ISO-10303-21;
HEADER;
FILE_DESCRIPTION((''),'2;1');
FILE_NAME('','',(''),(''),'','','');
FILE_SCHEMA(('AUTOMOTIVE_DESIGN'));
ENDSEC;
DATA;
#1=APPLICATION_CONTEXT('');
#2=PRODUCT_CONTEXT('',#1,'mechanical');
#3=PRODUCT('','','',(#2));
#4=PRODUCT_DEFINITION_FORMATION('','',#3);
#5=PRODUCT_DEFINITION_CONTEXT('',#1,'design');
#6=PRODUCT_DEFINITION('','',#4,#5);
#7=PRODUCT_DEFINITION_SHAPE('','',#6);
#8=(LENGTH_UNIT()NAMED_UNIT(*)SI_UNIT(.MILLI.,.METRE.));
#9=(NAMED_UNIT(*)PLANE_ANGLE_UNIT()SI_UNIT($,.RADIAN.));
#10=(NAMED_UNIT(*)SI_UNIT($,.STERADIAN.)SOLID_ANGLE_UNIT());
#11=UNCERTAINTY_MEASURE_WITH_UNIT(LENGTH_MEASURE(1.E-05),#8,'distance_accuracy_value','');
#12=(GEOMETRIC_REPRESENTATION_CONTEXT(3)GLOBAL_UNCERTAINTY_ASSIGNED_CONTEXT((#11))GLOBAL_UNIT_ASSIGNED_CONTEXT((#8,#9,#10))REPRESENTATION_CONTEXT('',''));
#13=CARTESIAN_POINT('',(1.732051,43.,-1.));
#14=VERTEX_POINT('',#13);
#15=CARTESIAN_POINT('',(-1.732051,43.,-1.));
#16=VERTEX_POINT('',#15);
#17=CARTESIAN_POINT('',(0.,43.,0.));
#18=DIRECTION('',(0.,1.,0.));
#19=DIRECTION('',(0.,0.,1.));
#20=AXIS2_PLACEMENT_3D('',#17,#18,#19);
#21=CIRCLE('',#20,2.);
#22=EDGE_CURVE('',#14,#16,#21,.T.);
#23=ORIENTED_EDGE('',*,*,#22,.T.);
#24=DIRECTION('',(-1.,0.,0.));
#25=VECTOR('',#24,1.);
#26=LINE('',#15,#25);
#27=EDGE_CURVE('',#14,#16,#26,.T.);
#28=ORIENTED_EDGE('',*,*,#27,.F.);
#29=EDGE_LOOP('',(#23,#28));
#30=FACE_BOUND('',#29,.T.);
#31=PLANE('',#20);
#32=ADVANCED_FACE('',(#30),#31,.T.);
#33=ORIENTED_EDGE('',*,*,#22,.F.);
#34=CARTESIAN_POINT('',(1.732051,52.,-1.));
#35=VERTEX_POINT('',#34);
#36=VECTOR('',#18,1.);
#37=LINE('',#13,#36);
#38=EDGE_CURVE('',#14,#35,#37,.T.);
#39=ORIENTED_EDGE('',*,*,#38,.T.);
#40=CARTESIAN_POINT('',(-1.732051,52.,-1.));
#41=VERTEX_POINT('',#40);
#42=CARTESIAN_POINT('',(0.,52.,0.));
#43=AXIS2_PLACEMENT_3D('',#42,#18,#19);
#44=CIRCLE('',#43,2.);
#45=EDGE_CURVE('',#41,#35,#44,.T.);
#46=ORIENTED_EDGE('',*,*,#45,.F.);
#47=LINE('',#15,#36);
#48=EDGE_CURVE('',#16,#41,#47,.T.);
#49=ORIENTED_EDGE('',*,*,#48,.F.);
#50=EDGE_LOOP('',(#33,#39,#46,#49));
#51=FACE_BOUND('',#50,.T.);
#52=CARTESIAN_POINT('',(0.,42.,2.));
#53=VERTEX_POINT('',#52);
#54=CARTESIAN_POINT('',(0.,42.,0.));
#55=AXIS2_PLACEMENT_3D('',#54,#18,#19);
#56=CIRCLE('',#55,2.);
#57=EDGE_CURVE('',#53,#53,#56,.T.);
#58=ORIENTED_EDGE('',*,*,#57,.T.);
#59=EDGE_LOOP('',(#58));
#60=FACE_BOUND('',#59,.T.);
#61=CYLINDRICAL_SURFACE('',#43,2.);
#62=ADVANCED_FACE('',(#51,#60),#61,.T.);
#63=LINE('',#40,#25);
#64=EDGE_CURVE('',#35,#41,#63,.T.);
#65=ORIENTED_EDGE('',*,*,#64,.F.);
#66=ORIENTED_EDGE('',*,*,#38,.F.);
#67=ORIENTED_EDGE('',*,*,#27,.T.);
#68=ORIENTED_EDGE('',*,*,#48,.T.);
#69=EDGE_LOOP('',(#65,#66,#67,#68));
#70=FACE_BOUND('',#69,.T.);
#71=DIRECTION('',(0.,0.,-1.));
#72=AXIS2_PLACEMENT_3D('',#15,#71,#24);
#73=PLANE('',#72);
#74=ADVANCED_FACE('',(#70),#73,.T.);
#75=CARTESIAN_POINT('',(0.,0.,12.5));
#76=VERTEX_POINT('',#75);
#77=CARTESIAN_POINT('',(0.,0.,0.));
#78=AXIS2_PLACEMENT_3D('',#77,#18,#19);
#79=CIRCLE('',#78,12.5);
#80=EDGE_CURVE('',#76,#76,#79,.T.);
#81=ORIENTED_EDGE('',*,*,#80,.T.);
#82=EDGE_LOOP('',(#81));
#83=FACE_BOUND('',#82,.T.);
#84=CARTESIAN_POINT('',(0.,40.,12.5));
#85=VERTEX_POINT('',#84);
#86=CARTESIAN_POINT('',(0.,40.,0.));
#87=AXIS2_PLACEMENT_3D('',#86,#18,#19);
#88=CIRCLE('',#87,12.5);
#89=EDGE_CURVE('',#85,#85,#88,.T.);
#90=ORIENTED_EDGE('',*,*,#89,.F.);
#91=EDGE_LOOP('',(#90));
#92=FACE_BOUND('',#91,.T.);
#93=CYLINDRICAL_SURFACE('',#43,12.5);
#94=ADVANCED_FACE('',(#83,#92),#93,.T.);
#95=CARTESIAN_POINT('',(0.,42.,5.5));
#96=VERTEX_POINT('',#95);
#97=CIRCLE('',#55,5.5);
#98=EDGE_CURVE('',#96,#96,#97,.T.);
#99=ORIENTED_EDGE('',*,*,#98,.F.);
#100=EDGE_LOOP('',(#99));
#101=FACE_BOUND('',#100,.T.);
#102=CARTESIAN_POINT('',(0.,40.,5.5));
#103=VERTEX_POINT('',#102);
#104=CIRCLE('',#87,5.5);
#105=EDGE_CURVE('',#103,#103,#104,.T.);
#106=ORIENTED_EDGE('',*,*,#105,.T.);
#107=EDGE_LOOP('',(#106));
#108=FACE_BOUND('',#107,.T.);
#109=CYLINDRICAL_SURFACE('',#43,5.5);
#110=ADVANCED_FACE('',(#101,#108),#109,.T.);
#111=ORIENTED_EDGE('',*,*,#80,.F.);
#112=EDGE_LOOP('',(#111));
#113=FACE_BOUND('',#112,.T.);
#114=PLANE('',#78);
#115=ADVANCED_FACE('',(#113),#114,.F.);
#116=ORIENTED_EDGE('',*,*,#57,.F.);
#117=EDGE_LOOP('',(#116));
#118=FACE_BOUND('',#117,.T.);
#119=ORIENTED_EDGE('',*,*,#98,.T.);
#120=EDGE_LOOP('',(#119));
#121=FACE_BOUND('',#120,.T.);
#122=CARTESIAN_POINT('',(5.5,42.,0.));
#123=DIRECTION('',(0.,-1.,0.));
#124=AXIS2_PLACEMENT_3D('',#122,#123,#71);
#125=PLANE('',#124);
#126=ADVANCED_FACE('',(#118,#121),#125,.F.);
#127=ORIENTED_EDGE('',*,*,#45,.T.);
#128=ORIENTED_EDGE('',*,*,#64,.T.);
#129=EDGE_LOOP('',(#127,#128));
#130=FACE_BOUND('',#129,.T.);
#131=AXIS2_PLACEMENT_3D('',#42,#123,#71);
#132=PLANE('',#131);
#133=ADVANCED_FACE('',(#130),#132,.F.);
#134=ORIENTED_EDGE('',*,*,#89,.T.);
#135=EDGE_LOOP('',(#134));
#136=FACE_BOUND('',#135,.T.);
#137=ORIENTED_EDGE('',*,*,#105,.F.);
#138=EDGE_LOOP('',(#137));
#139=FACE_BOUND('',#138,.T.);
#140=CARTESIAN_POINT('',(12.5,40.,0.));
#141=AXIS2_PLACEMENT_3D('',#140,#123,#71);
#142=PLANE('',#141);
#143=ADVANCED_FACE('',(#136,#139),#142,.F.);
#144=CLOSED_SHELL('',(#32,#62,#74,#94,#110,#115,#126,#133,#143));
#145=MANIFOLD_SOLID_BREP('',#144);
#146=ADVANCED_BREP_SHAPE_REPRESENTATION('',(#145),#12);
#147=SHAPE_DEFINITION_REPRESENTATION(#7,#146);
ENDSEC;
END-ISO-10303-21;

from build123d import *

# Parameters (mm, degrees)
CORTE_EXTRUS_O_FINA1_DEPTH = 9


with BuildPart() as part:
    # Esboço1 → Revolução1 (revolve)
    with BuildSketch(Plane.XY):
        Polygon((0, 0), (12.5, 0), (12.5, 40), (5.5, 40), (5.5, 42), (2, 42), (2, 52), (0, 52), align=None)
    revolve(axis=Axis((0, 52, 0), (0, -1, 0)))

    # Esboço2 → Corte-Extrusão-Fina1 (cut)
    with BuildSketch(Plane(origin=(0, 52, 0), x_dir=(1, 0, 0), z_dir=(0, 1, 0))):
        with BuildLine():
            Line((-4.795831523, 11), (4.795831523, 11))
            ThreePointArc((4.795831523, 11), (0, -12), (-4.795831523, 11))
        make_face()
        with BuildLine():
            Line((-1.732050808, 1), (1.732050808, 1))
            ThreePointArc((1.732050808, 1), (0, -2), (-1.732050808, 1))
        make_face(mode=Mode.SUBTRACT)
    extrude(amount=-CORTE_EXTRUS_O_FINA1_DEPTH, mode=Mode.SUBTRACT)


solid = part.part
